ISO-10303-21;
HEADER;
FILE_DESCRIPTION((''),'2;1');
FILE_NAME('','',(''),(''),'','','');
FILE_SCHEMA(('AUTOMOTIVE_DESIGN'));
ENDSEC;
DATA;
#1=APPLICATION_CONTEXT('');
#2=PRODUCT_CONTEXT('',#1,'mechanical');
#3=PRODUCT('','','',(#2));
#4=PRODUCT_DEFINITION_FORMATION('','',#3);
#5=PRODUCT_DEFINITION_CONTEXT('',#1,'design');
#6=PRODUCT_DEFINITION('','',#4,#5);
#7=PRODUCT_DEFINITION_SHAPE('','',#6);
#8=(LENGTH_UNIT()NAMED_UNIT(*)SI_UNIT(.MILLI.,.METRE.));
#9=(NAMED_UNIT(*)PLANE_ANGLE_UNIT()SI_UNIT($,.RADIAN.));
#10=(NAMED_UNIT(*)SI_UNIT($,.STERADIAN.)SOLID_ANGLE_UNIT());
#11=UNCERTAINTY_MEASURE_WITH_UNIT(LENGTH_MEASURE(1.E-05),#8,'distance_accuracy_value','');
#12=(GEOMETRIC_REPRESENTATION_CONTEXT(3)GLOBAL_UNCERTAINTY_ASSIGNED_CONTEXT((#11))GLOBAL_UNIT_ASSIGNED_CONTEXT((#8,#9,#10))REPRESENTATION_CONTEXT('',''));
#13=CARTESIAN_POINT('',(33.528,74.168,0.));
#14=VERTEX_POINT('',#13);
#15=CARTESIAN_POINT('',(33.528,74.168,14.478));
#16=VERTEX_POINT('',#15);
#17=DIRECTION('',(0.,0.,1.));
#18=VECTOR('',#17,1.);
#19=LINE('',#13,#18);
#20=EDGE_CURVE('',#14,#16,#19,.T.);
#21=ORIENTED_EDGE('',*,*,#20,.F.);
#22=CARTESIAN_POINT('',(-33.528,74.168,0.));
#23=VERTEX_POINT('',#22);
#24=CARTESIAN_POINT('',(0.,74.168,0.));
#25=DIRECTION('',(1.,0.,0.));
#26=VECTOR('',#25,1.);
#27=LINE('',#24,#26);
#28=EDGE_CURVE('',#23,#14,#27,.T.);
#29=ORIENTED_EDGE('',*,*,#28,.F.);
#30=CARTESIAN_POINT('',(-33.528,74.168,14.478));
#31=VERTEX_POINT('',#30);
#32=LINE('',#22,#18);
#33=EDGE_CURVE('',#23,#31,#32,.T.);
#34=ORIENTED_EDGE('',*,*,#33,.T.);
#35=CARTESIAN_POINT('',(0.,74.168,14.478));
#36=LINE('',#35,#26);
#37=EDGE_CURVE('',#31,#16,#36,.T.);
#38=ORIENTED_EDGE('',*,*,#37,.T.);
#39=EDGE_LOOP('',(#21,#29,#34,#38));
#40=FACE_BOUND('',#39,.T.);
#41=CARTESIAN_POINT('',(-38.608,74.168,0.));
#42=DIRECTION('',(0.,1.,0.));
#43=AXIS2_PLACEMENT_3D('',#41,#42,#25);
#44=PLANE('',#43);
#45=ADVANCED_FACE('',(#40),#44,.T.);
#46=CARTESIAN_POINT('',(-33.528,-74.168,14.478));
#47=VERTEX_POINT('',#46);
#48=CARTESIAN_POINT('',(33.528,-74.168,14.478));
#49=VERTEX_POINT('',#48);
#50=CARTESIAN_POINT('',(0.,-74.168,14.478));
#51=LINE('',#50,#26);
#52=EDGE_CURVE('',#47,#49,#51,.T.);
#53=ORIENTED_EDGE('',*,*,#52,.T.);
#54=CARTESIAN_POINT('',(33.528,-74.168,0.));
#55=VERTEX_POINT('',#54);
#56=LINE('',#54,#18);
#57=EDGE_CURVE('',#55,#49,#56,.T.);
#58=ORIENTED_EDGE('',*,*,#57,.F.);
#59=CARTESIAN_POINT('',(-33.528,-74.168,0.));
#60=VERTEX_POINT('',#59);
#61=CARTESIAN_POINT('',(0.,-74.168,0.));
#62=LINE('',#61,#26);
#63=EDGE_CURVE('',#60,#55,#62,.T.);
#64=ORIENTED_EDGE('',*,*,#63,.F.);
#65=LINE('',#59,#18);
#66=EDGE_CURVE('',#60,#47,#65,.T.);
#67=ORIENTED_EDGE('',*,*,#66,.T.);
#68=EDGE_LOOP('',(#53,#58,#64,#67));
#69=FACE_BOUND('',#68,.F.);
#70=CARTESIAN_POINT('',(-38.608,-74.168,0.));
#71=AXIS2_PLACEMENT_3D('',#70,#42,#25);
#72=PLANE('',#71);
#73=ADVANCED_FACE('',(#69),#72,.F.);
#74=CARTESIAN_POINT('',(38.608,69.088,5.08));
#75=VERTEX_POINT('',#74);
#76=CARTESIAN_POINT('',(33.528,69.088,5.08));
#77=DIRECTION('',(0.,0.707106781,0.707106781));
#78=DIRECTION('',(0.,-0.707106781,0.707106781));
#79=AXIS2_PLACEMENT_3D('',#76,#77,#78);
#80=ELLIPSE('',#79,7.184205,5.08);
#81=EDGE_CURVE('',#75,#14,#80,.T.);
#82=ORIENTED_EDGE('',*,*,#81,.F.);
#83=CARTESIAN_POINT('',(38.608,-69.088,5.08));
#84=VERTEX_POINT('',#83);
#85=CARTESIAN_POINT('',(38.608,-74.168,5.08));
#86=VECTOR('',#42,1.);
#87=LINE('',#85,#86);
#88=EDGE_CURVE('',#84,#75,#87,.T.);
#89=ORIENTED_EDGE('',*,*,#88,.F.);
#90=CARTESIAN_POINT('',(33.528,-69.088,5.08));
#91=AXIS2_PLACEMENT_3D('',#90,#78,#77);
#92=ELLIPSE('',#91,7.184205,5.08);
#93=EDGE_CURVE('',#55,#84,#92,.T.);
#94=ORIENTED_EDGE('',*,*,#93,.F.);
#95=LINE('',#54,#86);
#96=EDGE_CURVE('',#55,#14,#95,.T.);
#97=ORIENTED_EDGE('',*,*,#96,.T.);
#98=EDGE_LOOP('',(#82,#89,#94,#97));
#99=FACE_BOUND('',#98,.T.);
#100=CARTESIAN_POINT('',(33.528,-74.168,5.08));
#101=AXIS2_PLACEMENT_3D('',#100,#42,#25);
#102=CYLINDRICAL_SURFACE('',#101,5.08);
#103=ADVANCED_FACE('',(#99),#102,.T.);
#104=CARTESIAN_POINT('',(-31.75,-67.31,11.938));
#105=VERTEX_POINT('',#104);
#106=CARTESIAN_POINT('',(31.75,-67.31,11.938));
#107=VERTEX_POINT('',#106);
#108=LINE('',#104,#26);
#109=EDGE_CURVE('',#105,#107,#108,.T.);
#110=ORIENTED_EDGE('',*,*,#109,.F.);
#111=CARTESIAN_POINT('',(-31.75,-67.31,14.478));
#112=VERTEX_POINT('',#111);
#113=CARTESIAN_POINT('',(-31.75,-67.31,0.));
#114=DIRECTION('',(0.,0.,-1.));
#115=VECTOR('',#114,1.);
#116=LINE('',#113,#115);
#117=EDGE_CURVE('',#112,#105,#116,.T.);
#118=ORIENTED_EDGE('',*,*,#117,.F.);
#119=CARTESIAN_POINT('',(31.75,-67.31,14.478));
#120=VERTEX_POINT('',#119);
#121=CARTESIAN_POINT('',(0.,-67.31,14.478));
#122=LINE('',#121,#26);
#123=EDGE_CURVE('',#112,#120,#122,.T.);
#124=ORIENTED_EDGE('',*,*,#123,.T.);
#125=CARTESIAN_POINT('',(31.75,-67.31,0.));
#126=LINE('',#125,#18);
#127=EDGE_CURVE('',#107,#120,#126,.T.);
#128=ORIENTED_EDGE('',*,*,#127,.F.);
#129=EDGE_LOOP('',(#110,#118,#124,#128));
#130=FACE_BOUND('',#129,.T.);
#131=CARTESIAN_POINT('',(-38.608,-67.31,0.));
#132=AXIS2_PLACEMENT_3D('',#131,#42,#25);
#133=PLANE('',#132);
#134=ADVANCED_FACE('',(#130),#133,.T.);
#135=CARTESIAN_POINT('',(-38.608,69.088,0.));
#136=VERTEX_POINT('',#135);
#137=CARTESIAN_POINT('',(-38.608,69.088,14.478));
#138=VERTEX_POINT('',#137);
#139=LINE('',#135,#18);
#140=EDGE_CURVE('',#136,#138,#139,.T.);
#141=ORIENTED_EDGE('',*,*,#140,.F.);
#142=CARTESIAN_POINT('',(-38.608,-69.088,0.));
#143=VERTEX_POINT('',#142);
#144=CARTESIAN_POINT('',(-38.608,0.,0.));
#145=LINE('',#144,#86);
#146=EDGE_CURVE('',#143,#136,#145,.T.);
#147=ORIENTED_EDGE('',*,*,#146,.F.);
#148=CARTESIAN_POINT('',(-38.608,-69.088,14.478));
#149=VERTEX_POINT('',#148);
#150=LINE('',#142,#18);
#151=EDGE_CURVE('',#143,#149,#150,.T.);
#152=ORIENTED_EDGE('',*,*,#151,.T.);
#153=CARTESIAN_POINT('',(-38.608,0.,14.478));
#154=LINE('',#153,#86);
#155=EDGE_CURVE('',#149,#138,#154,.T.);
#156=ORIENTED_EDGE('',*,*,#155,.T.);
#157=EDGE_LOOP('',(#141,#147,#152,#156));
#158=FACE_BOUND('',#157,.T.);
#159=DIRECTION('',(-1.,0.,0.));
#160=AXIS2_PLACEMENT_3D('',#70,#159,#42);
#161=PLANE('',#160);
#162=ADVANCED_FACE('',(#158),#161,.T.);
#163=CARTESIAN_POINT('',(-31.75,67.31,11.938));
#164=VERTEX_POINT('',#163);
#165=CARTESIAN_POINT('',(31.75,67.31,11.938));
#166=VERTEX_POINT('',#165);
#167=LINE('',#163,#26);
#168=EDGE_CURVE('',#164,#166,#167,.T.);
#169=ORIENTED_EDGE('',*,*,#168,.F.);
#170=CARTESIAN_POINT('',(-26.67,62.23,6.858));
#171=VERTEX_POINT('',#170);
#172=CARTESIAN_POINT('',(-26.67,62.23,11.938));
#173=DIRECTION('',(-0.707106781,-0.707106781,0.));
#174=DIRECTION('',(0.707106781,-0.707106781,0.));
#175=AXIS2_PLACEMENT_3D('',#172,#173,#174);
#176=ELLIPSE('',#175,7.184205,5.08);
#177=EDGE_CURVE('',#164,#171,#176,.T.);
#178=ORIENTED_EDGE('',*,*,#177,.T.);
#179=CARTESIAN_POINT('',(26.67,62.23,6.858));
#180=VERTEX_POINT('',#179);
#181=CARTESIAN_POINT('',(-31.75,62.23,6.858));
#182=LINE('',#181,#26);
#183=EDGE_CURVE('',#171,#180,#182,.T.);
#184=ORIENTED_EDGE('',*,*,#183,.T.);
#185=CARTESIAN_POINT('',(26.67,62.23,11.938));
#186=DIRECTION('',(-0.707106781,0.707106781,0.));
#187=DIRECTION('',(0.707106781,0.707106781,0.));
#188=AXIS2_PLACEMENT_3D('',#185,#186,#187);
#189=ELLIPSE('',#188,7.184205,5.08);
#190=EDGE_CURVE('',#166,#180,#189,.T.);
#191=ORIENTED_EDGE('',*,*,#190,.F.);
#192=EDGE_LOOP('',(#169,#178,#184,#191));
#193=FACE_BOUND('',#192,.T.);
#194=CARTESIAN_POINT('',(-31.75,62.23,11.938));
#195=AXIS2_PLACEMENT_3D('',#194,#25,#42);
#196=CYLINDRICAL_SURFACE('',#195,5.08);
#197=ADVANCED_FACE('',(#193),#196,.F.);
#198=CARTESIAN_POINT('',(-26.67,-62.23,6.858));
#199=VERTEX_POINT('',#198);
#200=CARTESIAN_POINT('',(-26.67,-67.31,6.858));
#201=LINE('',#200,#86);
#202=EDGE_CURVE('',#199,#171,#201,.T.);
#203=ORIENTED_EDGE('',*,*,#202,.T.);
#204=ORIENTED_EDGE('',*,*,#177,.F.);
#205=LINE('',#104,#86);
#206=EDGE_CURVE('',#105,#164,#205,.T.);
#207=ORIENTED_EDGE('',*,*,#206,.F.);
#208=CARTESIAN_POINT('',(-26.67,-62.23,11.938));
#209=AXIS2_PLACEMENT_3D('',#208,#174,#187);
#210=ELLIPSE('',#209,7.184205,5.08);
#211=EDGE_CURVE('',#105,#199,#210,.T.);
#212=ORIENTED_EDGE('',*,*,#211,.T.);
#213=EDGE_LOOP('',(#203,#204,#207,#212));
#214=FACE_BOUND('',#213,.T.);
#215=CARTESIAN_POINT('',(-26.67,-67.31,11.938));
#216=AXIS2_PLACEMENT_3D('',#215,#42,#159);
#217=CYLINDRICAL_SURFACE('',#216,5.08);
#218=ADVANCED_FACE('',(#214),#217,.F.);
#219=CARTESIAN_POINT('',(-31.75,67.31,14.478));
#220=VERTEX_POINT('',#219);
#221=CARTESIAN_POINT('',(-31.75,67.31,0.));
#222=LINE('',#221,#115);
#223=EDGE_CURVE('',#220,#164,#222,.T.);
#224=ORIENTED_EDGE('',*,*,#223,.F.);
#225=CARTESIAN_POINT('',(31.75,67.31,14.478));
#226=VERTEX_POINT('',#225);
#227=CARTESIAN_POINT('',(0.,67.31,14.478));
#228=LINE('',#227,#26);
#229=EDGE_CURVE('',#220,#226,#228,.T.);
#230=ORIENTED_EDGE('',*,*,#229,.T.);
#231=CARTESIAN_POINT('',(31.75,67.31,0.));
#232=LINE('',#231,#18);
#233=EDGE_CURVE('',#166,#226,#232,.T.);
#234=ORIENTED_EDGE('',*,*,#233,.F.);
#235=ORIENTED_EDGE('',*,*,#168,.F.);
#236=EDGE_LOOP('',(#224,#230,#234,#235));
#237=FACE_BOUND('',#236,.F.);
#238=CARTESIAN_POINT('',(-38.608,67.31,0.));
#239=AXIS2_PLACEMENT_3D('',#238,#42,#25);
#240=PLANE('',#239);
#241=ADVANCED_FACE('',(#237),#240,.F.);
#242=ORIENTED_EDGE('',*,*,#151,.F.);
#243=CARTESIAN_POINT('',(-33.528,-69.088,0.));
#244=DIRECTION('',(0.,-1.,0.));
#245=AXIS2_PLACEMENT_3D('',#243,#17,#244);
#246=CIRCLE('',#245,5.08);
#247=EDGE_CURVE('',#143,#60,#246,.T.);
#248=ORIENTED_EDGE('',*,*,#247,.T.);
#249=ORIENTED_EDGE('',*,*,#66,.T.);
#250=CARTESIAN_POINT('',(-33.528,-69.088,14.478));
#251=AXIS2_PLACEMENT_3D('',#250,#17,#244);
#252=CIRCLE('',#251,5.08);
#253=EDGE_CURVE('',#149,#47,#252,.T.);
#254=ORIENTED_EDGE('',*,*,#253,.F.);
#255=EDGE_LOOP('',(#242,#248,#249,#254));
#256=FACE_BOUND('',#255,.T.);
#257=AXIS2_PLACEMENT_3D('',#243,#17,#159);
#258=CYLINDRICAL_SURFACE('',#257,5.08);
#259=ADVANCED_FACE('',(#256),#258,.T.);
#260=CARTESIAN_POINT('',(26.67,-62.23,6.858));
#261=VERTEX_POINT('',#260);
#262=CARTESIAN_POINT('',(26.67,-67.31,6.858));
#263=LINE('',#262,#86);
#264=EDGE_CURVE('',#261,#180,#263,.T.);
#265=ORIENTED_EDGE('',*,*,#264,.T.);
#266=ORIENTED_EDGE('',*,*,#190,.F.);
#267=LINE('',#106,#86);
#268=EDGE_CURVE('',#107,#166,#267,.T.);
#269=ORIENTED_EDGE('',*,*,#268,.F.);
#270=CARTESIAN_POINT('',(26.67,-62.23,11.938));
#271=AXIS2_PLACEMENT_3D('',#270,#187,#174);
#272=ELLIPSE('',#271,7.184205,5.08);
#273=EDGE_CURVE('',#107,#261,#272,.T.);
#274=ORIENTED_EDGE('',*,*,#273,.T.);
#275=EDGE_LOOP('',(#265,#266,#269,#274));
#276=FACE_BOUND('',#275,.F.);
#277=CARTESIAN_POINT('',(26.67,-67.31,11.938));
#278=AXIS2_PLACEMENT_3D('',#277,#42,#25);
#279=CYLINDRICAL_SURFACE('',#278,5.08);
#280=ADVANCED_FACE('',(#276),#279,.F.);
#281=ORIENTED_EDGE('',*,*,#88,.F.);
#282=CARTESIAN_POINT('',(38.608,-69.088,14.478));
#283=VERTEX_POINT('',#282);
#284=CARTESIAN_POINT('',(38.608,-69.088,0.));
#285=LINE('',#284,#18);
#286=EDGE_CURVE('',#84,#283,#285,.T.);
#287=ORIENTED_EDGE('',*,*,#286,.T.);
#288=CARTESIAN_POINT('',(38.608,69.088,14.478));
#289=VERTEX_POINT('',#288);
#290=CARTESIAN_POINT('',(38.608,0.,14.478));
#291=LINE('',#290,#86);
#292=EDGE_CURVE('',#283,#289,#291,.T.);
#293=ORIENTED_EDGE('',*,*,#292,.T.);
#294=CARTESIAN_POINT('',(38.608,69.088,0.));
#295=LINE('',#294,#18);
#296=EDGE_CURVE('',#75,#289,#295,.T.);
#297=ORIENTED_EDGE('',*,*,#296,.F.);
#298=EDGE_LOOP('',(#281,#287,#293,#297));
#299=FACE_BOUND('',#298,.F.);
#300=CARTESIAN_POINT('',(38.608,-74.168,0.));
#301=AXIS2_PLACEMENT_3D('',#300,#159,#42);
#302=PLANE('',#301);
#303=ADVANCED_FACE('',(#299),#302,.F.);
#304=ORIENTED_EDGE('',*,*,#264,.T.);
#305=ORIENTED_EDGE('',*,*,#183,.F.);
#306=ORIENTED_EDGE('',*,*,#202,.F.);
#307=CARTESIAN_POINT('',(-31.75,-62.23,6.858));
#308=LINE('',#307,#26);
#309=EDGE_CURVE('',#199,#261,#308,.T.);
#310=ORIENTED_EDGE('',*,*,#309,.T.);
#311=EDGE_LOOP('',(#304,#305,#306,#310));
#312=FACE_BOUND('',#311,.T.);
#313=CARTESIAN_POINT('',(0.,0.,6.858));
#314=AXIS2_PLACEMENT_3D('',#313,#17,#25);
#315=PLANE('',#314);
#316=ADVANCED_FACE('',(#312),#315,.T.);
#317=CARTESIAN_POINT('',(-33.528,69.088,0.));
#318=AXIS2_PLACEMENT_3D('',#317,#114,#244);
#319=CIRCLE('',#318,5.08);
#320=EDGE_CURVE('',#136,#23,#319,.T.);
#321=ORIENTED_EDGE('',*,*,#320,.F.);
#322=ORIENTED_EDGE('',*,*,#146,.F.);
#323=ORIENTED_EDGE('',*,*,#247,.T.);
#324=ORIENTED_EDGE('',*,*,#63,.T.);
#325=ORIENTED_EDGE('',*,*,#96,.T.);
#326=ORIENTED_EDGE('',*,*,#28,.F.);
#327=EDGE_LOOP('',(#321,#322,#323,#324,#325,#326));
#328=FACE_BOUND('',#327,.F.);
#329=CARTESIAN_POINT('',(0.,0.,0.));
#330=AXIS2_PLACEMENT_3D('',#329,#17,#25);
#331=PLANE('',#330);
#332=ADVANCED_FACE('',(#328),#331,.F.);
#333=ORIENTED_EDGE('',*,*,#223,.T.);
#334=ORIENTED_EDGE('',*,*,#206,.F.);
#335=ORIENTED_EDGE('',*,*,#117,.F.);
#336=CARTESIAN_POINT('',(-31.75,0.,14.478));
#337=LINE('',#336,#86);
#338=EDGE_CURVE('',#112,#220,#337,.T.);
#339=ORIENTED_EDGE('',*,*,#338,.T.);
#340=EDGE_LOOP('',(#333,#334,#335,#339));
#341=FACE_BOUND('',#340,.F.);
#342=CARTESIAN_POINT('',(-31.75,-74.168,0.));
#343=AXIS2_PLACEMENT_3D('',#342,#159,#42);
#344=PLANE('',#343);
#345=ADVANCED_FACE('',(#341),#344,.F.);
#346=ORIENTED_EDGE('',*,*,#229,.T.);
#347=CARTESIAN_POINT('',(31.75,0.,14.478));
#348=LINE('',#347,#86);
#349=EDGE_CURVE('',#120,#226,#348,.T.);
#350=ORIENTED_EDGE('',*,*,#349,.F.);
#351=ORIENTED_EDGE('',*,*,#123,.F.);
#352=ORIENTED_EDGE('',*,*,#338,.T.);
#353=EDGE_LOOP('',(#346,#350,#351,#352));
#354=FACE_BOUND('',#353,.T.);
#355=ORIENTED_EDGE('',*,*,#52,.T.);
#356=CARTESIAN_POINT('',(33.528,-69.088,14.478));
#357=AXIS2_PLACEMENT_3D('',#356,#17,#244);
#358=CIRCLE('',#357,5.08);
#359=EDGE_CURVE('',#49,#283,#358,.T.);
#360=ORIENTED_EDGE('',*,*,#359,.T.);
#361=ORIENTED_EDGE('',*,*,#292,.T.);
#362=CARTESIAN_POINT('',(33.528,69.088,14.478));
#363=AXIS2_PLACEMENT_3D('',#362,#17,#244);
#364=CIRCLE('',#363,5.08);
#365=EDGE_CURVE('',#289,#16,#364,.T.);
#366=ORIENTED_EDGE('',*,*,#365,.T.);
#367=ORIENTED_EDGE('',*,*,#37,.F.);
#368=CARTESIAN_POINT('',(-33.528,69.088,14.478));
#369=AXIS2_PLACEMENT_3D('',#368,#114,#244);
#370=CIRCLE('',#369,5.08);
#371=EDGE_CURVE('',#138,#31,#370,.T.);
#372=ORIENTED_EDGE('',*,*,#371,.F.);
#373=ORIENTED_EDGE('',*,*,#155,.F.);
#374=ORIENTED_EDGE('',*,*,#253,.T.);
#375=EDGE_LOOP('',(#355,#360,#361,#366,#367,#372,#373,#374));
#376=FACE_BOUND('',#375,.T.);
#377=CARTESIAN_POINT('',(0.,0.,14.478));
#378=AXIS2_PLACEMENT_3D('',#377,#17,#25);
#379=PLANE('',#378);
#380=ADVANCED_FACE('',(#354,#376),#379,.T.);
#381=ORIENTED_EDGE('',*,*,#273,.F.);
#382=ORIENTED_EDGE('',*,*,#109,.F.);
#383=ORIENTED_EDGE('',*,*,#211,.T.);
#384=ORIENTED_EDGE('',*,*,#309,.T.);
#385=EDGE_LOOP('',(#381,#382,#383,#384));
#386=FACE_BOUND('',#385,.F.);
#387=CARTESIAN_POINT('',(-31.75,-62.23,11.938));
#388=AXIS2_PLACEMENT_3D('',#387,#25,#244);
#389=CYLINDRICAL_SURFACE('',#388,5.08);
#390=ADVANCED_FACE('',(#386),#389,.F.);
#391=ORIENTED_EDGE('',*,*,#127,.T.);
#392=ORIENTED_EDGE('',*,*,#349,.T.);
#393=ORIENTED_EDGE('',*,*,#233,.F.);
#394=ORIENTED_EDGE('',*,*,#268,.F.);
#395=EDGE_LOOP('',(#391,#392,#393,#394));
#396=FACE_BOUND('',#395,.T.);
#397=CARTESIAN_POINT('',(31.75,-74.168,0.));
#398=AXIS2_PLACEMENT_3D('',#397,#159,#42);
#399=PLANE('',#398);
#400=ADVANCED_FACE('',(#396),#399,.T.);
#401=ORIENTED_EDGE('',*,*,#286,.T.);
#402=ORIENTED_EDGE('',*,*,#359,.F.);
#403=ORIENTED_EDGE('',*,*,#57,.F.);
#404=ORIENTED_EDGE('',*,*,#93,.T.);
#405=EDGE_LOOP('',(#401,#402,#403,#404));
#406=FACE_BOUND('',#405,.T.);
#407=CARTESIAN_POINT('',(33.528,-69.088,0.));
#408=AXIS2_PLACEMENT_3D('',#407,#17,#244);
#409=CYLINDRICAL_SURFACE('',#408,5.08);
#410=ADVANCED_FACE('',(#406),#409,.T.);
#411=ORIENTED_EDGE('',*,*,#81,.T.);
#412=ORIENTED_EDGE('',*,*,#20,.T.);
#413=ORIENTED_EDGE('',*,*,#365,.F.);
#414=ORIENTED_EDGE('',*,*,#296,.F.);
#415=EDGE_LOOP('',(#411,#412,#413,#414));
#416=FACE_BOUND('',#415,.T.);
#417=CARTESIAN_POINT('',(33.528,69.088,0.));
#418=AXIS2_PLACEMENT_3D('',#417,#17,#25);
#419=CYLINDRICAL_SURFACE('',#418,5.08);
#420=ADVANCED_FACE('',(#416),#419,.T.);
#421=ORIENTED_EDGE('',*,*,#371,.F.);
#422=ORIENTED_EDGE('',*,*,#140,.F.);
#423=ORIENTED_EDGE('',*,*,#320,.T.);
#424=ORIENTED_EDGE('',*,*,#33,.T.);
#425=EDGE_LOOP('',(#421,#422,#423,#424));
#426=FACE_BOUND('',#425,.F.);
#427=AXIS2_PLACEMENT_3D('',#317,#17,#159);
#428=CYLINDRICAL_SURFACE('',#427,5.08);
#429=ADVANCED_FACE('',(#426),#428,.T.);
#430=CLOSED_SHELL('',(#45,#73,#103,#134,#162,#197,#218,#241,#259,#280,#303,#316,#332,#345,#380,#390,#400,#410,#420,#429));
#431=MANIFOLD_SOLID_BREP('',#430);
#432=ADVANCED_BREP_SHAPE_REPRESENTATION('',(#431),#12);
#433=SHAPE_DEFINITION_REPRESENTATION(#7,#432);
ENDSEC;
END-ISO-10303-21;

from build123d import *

# Parameters (mm, degrees)
F0_W     = 77.216
F0_H     = 148.336
F1_DEPTH = 14.478
F2_R     = 5.08
F3_T     = -6.858
F4_R     = 5.08


with BuildPart() as f1:
    # F0 (on Top) → F1 (new body)
    with BuildSketch(Plane.XY):
        Rectangle(F0_W, F0_H)
    extrude(amount=F1_DEPTH)

    # F2
    f2_edges = [f1.edges().sort_by_distance(p)[0] for p in [
        (-38.608, 74.168, 7.239),
        (38.608, 74.168, 7.239),
        (38.608, -74.168, 7.239),
        (-38.608, -74.168, 7.239),
        (38.608, 0, 0),
    ]]
    fillet(f2_edges, radius=F2_R)

    # F3
    f3_openings = [f1.faces().sort_by_distance(p)[0] for p in [
        (0, 0, 14.478),
    ]]
    offset(amount=F3_T, openings=f3_openings)

    # F4
    f4_edges = [f1.edges().sort_by_distance(p)[0] for p in [
        (0, -67.31, 6.858),
        (31.75, 0, 6.858),
        (0, 67.31, 6.858),
        (-31.75, 0, 6.858),
    ]]
    fillet(f4_edges, radius=F4_R)


solid = f1.part
